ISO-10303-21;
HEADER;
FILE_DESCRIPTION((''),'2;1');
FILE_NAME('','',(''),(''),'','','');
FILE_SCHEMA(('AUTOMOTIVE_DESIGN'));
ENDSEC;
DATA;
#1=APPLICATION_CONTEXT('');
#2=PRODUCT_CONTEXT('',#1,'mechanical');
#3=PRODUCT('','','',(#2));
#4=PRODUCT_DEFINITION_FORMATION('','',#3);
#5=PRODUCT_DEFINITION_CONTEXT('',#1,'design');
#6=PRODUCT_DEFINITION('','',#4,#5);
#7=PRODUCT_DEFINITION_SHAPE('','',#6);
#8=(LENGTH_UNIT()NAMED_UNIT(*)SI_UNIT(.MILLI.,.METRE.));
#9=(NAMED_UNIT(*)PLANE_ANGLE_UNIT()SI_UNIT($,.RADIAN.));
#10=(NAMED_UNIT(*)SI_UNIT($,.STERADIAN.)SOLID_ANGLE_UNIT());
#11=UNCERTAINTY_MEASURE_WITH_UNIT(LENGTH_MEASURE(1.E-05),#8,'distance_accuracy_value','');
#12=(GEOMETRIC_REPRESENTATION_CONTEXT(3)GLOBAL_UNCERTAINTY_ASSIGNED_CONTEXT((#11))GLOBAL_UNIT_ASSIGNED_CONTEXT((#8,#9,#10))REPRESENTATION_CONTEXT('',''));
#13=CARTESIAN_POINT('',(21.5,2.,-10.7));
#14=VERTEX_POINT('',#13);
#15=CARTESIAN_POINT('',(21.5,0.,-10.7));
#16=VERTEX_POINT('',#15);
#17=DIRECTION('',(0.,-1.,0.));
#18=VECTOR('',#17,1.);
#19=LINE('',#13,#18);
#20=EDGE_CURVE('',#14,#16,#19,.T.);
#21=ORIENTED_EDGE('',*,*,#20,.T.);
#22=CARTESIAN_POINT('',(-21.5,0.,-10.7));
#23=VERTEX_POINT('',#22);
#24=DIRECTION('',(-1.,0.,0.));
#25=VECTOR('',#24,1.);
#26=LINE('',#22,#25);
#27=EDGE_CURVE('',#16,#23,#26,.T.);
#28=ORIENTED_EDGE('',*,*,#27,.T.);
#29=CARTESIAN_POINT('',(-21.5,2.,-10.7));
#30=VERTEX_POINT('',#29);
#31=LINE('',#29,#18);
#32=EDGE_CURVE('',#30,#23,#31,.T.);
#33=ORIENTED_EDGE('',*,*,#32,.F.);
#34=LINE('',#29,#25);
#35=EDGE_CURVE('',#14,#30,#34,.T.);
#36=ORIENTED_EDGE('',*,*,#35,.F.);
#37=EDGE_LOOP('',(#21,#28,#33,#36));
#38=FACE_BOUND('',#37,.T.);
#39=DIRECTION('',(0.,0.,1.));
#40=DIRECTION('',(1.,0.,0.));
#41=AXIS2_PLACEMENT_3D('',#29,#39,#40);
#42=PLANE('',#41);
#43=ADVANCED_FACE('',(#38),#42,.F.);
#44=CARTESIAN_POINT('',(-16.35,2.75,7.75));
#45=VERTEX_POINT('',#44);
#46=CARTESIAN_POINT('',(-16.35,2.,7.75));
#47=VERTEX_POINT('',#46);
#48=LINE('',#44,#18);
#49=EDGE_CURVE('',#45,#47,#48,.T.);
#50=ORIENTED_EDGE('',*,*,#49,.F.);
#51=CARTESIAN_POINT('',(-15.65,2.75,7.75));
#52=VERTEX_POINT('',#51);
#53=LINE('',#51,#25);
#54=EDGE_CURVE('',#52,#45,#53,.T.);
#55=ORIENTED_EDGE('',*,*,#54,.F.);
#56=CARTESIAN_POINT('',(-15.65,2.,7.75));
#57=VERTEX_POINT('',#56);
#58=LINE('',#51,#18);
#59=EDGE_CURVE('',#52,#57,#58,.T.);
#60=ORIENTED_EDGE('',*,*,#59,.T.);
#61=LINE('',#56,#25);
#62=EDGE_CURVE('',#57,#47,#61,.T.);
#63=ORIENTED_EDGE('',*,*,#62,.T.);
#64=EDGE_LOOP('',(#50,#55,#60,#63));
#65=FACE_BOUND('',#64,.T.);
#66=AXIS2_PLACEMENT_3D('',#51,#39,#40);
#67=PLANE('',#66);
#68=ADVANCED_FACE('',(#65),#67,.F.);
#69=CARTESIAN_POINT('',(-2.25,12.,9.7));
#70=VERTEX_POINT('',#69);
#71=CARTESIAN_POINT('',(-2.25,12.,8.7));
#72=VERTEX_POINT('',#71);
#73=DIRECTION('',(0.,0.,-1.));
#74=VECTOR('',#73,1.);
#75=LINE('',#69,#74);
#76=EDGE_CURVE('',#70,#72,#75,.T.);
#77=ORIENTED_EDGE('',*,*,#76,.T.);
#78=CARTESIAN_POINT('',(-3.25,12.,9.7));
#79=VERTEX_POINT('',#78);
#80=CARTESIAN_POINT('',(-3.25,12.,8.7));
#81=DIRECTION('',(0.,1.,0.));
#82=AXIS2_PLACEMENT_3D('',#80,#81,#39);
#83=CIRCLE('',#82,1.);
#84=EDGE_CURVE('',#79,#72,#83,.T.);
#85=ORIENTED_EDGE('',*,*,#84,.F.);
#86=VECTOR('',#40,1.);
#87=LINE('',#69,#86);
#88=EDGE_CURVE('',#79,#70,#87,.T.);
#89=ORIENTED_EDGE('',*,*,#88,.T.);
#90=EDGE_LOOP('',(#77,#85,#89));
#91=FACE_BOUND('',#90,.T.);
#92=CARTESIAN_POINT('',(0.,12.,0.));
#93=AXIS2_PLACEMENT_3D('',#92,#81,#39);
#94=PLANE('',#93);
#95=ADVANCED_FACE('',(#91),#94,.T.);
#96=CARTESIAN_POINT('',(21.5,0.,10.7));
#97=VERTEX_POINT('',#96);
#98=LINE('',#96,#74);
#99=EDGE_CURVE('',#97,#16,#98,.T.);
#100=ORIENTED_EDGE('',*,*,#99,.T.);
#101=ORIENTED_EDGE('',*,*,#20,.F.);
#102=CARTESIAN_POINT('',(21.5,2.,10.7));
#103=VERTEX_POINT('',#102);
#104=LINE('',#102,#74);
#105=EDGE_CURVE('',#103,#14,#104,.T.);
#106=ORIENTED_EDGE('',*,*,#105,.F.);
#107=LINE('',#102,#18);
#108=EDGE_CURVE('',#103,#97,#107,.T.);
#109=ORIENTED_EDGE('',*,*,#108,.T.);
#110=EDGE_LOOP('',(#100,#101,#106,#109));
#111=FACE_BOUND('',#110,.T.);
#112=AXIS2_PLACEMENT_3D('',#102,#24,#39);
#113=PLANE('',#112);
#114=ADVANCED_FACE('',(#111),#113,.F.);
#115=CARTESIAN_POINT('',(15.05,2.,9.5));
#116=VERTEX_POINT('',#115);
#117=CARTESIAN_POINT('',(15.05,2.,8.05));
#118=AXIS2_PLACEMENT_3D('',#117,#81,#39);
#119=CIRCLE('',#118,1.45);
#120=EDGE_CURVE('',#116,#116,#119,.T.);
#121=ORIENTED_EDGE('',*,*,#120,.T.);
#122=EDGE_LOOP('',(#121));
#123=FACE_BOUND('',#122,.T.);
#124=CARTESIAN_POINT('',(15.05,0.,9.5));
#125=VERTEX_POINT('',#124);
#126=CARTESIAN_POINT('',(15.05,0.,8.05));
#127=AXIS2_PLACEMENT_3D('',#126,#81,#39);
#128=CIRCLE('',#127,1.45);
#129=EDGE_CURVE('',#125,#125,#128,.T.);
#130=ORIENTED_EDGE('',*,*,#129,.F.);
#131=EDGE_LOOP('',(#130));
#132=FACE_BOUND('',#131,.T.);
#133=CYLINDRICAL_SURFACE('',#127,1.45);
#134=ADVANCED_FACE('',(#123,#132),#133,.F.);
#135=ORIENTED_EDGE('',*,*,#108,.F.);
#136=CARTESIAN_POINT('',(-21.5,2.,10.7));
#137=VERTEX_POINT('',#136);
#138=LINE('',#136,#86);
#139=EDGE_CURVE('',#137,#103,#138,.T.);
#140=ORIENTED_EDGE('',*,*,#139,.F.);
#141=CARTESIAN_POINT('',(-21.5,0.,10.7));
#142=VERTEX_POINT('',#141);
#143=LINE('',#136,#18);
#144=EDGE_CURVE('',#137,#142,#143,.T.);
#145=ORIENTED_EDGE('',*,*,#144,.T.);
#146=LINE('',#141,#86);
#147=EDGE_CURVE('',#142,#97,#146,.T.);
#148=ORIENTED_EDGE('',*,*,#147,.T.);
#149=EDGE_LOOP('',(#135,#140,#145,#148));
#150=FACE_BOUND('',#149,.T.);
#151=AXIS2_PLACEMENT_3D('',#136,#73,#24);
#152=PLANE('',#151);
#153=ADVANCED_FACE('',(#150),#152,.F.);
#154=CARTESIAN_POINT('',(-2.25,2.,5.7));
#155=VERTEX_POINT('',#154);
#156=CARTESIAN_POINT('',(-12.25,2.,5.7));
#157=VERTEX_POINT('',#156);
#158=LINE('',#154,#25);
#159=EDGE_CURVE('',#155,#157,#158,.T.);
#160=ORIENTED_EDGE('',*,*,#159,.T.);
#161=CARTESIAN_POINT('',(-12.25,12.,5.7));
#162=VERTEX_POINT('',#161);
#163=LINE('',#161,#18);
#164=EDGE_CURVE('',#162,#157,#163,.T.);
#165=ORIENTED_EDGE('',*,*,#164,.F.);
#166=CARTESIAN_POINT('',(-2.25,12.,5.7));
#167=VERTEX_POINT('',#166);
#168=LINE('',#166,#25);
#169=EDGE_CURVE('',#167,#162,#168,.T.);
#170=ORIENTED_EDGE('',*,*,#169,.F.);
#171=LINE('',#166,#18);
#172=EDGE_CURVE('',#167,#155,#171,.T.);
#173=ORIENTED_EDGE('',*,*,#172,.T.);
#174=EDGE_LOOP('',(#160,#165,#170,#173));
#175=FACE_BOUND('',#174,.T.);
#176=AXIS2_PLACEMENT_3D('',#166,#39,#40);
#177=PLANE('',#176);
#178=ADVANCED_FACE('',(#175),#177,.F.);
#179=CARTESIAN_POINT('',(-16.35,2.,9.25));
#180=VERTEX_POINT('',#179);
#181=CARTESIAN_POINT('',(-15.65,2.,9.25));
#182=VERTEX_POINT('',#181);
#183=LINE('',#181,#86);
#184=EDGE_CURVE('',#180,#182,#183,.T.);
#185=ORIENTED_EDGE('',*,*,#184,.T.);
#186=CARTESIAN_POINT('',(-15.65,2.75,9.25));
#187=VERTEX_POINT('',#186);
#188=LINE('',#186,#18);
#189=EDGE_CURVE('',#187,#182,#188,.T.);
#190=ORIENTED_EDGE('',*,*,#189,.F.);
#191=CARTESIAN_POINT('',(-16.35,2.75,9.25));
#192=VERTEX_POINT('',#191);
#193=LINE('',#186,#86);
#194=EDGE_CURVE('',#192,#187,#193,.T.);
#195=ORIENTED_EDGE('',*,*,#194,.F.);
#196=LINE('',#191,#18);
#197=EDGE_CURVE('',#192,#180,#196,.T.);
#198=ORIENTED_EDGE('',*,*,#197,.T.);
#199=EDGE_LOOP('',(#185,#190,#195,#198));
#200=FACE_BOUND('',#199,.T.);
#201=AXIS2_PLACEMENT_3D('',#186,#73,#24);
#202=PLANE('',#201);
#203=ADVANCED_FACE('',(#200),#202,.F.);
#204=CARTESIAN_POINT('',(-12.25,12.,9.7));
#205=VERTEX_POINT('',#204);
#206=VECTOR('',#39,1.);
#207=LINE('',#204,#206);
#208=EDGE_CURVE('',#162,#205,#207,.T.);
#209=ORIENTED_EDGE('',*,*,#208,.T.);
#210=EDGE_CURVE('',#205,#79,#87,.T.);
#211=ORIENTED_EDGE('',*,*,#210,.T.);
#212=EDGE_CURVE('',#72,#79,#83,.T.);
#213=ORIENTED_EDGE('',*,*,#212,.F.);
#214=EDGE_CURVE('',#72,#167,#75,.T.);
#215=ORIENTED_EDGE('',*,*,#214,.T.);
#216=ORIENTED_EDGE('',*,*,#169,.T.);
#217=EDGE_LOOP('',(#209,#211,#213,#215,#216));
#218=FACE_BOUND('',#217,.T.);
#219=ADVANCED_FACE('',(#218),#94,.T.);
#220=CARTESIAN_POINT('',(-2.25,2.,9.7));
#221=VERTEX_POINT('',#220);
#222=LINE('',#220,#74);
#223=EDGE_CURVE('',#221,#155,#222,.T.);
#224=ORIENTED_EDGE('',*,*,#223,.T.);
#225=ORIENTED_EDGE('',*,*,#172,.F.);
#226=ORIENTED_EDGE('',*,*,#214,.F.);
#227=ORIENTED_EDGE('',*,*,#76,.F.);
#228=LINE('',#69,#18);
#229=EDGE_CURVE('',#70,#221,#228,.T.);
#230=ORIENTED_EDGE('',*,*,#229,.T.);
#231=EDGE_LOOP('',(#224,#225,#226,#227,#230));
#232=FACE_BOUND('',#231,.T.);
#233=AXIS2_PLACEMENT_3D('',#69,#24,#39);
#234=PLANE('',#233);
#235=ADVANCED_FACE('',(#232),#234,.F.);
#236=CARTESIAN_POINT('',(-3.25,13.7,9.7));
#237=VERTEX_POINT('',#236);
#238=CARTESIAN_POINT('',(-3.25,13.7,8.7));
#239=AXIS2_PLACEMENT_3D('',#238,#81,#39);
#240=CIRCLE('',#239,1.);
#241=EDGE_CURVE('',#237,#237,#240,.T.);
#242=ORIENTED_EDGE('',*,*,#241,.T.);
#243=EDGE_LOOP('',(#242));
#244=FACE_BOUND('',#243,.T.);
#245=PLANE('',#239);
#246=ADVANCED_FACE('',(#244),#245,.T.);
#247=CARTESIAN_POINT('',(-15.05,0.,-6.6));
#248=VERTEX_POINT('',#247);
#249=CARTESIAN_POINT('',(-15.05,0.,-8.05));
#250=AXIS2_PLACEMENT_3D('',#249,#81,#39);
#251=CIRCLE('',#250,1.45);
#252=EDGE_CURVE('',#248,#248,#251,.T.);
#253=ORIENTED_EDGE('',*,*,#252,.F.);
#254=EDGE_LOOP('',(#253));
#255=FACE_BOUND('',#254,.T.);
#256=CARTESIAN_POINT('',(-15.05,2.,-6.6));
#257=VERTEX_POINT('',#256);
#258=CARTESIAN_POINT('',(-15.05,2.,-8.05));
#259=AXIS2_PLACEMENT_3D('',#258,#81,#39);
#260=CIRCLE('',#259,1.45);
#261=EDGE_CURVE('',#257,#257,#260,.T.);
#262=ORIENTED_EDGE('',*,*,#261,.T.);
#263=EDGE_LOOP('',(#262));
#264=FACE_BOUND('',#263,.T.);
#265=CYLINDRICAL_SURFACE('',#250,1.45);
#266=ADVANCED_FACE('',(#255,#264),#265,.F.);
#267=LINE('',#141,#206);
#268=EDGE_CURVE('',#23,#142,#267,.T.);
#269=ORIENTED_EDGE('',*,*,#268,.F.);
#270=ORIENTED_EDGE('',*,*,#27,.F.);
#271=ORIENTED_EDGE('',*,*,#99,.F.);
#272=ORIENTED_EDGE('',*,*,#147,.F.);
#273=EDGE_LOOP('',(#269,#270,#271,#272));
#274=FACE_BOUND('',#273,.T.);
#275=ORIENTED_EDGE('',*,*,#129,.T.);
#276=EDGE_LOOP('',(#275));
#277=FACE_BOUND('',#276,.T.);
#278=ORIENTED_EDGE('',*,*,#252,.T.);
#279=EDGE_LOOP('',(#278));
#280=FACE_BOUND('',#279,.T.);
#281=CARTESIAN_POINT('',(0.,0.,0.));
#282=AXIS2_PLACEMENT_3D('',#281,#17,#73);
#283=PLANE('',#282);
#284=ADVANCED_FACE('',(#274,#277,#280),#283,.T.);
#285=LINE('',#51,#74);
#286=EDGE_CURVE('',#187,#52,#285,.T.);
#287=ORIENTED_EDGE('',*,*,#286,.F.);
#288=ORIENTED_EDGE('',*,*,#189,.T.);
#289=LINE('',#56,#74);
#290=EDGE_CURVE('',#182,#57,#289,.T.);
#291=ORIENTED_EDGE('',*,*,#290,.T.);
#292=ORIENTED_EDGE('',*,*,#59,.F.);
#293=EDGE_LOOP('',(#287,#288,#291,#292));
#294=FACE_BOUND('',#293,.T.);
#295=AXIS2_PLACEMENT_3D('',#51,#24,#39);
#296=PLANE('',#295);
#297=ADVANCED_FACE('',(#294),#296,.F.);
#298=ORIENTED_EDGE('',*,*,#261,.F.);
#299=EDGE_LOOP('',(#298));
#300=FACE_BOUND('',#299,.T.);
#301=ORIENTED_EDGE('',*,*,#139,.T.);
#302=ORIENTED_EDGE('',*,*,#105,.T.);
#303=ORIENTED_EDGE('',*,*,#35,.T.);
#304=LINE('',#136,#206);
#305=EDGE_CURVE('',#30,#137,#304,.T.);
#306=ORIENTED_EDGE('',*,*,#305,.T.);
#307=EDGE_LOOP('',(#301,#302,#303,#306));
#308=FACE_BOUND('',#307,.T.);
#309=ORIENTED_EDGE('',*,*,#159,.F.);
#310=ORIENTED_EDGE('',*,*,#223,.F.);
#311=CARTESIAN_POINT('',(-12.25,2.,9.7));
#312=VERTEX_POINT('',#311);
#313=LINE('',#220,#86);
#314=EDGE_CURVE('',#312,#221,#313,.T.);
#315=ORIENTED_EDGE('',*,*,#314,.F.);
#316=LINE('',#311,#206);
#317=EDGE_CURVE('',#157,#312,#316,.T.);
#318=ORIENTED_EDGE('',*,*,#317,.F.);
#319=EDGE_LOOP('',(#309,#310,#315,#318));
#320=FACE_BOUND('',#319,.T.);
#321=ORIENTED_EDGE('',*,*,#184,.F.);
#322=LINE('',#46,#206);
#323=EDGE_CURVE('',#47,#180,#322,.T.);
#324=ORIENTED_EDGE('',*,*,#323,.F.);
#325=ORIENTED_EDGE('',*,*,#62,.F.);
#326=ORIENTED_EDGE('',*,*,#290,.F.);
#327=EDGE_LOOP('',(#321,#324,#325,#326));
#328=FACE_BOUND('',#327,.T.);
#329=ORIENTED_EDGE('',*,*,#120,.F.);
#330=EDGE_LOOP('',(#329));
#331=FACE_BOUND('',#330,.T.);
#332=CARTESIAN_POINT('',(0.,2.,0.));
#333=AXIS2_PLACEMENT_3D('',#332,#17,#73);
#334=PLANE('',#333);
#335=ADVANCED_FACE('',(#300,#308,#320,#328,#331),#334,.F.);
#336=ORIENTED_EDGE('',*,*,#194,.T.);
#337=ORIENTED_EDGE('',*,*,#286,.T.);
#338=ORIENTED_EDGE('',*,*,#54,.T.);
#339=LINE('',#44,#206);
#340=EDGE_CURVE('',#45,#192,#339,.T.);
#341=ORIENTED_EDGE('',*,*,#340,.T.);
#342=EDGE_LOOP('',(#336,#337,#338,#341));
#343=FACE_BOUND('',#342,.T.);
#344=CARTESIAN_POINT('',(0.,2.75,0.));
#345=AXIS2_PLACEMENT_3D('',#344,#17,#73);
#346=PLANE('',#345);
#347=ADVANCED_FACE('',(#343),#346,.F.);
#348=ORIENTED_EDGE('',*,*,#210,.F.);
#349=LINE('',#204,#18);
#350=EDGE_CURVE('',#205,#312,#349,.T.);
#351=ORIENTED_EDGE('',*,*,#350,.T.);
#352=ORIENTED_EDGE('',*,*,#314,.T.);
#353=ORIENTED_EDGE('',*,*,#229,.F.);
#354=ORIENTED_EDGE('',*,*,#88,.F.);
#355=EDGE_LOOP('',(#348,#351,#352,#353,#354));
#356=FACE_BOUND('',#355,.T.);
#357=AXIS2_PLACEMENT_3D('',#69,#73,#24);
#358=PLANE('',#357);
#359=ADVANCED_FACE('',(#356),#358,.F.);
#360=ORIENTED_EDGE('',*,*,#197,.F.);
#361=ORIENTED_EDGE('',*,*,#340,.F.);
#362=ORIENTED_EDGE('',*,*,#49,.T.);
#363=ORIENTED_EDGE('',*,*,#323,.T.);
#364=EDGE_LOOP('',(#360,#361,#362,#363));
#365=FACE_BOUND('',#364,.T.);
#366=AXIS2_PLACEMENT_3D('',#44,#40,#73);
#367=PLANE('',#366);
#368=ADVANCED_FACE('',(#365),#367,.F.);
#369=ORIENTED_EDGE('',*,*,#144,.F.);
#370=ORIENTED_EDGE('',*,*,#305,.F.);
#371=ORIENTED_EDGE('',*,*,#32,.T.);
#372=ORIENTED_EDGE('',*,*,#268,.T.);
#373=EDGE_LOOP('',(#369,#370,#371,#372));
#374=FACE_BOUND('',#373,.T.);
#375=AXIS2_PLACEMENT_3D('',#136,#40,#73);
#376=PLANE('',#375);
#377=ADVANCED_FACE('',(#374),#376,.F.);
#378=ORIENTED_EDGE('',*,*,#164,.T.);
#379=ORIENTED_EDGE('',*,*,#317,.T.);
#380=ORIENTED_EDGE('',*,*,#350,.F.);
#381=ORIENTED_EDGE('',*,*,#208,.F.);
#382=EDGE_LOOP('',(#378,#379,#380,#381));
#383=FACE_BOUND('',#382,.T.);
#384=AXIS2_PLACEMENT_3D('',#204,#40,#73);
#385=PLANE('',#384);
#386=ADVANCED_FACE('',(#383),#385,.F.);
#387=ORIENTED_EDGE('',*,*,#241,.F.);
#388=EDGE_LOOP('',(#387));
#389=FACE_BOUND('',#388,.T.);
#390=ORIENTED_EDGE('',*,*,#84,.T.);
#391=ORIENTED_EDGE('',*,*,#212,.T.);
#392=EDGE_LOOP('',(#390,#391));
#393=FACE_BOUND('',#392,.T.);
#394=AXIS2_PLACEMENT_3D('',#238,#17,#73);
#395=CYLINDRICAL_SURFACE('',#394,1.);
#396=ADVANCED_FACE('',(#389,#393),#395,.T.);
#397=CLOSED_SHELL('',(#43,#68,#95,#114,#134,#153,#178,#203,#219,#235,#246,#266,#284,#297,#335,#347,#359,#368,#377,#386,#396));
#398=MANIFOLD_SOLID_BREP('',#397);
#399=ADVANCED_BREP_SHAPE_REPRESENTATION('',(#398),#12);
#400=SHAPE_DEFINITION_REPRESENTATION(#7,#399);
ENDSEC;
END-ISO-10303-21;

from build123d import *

# Parameters (mm, degrees)
SKETCH1_W           = 43
SKETCH1_H           = 21.4
BOSS_EXTRUDE1_DEPTH = 2
SKETCH2_R           = 1.45
CUT_EXTRUDE1_DEPTH  = 25.098547674
SKETCH3_W           = 10
SKETCH3_H           = 4
BOSS_EXTRUDE2_DEPTH = 10
SKETCH4_R           = 1
BOSS_EXTRUDE3_DEPTH = 1.7
SKETCH5_W           = 0.7
SKETCH5_H           = 1.5
BOSS_EXTRUDE4_DEPTH = 0.75


with BuildPart() as part:
    # Sketch1 → Boss-Extrude1 (new body)
    with BuildSketch(Plane(origin=(0, 0, 0), x_dir=(1, 0, 0), z_dir=(0, 1, 0))):
        Rectangle(SKETCH1_W, SKETCH1_H)
    extrude(amount=BOSS_EXTRUDE1_DEPTH)

    # Sketch2 → Cut-Extrude1 (cut, through all)
    with BuildSketch(Plane(origin=(0, 2, 0), x_dir=(1, 0, 0), z_dir=(0, 1, 0))):
        with Locations(Location((-15.05, 8.05, 0), (0, 0, 270))):
            Circle(SKETCH2_R)
        with Locations(Location((15.05, -8.05, 0), (0, 0, 270))):
            Circle(SKETCH2_R)
    extrude(amount=-CUT_EXTRUDE1_DEPTH, mode=Mode.SUBTRACT)

    # Sketch3 → Boss-Extrude2 (add)
    with BuildSketch(Plane(origin=(0, 2, 0), x_dir=(1, 0, 0), z_dir=(0, 1, 0))):
        with Locations((-7.25, -7.7)):
            Rectangle(SKETCH3_W, SKETCH3_H)
    extrude(amount=BOSS_EXTRUDE2_DEPTH)

    # Sketch4 → Boss-Extrude3 (add)
    with BuildSketch(Plane(origin=(0, 12, 0), x_dir=(1, 0, 0), z_dir=(0, 1, 0))):
        with Locations(Location((-3.25, -8.7, 0), (0, 0, 270))):
            Circle(SKETCH4_R)
    extrude(amount=BOSS_EXTRUDE3_DEPTH)

    # Sketch5 → Boss-Extrude4 (add)
    with BuildSketch(Plane(origin=(0, 2, 0), x_dir=(1, 0, 0), z_dir=(0, 1, 0))):
        with Locations((-16, -8.5)):
            Rectangle(SKETCH5_W, SKETCH5_H)
    extrude(amount=BOSS_EXTRUDE4_DEPTH)


solid = part.part
